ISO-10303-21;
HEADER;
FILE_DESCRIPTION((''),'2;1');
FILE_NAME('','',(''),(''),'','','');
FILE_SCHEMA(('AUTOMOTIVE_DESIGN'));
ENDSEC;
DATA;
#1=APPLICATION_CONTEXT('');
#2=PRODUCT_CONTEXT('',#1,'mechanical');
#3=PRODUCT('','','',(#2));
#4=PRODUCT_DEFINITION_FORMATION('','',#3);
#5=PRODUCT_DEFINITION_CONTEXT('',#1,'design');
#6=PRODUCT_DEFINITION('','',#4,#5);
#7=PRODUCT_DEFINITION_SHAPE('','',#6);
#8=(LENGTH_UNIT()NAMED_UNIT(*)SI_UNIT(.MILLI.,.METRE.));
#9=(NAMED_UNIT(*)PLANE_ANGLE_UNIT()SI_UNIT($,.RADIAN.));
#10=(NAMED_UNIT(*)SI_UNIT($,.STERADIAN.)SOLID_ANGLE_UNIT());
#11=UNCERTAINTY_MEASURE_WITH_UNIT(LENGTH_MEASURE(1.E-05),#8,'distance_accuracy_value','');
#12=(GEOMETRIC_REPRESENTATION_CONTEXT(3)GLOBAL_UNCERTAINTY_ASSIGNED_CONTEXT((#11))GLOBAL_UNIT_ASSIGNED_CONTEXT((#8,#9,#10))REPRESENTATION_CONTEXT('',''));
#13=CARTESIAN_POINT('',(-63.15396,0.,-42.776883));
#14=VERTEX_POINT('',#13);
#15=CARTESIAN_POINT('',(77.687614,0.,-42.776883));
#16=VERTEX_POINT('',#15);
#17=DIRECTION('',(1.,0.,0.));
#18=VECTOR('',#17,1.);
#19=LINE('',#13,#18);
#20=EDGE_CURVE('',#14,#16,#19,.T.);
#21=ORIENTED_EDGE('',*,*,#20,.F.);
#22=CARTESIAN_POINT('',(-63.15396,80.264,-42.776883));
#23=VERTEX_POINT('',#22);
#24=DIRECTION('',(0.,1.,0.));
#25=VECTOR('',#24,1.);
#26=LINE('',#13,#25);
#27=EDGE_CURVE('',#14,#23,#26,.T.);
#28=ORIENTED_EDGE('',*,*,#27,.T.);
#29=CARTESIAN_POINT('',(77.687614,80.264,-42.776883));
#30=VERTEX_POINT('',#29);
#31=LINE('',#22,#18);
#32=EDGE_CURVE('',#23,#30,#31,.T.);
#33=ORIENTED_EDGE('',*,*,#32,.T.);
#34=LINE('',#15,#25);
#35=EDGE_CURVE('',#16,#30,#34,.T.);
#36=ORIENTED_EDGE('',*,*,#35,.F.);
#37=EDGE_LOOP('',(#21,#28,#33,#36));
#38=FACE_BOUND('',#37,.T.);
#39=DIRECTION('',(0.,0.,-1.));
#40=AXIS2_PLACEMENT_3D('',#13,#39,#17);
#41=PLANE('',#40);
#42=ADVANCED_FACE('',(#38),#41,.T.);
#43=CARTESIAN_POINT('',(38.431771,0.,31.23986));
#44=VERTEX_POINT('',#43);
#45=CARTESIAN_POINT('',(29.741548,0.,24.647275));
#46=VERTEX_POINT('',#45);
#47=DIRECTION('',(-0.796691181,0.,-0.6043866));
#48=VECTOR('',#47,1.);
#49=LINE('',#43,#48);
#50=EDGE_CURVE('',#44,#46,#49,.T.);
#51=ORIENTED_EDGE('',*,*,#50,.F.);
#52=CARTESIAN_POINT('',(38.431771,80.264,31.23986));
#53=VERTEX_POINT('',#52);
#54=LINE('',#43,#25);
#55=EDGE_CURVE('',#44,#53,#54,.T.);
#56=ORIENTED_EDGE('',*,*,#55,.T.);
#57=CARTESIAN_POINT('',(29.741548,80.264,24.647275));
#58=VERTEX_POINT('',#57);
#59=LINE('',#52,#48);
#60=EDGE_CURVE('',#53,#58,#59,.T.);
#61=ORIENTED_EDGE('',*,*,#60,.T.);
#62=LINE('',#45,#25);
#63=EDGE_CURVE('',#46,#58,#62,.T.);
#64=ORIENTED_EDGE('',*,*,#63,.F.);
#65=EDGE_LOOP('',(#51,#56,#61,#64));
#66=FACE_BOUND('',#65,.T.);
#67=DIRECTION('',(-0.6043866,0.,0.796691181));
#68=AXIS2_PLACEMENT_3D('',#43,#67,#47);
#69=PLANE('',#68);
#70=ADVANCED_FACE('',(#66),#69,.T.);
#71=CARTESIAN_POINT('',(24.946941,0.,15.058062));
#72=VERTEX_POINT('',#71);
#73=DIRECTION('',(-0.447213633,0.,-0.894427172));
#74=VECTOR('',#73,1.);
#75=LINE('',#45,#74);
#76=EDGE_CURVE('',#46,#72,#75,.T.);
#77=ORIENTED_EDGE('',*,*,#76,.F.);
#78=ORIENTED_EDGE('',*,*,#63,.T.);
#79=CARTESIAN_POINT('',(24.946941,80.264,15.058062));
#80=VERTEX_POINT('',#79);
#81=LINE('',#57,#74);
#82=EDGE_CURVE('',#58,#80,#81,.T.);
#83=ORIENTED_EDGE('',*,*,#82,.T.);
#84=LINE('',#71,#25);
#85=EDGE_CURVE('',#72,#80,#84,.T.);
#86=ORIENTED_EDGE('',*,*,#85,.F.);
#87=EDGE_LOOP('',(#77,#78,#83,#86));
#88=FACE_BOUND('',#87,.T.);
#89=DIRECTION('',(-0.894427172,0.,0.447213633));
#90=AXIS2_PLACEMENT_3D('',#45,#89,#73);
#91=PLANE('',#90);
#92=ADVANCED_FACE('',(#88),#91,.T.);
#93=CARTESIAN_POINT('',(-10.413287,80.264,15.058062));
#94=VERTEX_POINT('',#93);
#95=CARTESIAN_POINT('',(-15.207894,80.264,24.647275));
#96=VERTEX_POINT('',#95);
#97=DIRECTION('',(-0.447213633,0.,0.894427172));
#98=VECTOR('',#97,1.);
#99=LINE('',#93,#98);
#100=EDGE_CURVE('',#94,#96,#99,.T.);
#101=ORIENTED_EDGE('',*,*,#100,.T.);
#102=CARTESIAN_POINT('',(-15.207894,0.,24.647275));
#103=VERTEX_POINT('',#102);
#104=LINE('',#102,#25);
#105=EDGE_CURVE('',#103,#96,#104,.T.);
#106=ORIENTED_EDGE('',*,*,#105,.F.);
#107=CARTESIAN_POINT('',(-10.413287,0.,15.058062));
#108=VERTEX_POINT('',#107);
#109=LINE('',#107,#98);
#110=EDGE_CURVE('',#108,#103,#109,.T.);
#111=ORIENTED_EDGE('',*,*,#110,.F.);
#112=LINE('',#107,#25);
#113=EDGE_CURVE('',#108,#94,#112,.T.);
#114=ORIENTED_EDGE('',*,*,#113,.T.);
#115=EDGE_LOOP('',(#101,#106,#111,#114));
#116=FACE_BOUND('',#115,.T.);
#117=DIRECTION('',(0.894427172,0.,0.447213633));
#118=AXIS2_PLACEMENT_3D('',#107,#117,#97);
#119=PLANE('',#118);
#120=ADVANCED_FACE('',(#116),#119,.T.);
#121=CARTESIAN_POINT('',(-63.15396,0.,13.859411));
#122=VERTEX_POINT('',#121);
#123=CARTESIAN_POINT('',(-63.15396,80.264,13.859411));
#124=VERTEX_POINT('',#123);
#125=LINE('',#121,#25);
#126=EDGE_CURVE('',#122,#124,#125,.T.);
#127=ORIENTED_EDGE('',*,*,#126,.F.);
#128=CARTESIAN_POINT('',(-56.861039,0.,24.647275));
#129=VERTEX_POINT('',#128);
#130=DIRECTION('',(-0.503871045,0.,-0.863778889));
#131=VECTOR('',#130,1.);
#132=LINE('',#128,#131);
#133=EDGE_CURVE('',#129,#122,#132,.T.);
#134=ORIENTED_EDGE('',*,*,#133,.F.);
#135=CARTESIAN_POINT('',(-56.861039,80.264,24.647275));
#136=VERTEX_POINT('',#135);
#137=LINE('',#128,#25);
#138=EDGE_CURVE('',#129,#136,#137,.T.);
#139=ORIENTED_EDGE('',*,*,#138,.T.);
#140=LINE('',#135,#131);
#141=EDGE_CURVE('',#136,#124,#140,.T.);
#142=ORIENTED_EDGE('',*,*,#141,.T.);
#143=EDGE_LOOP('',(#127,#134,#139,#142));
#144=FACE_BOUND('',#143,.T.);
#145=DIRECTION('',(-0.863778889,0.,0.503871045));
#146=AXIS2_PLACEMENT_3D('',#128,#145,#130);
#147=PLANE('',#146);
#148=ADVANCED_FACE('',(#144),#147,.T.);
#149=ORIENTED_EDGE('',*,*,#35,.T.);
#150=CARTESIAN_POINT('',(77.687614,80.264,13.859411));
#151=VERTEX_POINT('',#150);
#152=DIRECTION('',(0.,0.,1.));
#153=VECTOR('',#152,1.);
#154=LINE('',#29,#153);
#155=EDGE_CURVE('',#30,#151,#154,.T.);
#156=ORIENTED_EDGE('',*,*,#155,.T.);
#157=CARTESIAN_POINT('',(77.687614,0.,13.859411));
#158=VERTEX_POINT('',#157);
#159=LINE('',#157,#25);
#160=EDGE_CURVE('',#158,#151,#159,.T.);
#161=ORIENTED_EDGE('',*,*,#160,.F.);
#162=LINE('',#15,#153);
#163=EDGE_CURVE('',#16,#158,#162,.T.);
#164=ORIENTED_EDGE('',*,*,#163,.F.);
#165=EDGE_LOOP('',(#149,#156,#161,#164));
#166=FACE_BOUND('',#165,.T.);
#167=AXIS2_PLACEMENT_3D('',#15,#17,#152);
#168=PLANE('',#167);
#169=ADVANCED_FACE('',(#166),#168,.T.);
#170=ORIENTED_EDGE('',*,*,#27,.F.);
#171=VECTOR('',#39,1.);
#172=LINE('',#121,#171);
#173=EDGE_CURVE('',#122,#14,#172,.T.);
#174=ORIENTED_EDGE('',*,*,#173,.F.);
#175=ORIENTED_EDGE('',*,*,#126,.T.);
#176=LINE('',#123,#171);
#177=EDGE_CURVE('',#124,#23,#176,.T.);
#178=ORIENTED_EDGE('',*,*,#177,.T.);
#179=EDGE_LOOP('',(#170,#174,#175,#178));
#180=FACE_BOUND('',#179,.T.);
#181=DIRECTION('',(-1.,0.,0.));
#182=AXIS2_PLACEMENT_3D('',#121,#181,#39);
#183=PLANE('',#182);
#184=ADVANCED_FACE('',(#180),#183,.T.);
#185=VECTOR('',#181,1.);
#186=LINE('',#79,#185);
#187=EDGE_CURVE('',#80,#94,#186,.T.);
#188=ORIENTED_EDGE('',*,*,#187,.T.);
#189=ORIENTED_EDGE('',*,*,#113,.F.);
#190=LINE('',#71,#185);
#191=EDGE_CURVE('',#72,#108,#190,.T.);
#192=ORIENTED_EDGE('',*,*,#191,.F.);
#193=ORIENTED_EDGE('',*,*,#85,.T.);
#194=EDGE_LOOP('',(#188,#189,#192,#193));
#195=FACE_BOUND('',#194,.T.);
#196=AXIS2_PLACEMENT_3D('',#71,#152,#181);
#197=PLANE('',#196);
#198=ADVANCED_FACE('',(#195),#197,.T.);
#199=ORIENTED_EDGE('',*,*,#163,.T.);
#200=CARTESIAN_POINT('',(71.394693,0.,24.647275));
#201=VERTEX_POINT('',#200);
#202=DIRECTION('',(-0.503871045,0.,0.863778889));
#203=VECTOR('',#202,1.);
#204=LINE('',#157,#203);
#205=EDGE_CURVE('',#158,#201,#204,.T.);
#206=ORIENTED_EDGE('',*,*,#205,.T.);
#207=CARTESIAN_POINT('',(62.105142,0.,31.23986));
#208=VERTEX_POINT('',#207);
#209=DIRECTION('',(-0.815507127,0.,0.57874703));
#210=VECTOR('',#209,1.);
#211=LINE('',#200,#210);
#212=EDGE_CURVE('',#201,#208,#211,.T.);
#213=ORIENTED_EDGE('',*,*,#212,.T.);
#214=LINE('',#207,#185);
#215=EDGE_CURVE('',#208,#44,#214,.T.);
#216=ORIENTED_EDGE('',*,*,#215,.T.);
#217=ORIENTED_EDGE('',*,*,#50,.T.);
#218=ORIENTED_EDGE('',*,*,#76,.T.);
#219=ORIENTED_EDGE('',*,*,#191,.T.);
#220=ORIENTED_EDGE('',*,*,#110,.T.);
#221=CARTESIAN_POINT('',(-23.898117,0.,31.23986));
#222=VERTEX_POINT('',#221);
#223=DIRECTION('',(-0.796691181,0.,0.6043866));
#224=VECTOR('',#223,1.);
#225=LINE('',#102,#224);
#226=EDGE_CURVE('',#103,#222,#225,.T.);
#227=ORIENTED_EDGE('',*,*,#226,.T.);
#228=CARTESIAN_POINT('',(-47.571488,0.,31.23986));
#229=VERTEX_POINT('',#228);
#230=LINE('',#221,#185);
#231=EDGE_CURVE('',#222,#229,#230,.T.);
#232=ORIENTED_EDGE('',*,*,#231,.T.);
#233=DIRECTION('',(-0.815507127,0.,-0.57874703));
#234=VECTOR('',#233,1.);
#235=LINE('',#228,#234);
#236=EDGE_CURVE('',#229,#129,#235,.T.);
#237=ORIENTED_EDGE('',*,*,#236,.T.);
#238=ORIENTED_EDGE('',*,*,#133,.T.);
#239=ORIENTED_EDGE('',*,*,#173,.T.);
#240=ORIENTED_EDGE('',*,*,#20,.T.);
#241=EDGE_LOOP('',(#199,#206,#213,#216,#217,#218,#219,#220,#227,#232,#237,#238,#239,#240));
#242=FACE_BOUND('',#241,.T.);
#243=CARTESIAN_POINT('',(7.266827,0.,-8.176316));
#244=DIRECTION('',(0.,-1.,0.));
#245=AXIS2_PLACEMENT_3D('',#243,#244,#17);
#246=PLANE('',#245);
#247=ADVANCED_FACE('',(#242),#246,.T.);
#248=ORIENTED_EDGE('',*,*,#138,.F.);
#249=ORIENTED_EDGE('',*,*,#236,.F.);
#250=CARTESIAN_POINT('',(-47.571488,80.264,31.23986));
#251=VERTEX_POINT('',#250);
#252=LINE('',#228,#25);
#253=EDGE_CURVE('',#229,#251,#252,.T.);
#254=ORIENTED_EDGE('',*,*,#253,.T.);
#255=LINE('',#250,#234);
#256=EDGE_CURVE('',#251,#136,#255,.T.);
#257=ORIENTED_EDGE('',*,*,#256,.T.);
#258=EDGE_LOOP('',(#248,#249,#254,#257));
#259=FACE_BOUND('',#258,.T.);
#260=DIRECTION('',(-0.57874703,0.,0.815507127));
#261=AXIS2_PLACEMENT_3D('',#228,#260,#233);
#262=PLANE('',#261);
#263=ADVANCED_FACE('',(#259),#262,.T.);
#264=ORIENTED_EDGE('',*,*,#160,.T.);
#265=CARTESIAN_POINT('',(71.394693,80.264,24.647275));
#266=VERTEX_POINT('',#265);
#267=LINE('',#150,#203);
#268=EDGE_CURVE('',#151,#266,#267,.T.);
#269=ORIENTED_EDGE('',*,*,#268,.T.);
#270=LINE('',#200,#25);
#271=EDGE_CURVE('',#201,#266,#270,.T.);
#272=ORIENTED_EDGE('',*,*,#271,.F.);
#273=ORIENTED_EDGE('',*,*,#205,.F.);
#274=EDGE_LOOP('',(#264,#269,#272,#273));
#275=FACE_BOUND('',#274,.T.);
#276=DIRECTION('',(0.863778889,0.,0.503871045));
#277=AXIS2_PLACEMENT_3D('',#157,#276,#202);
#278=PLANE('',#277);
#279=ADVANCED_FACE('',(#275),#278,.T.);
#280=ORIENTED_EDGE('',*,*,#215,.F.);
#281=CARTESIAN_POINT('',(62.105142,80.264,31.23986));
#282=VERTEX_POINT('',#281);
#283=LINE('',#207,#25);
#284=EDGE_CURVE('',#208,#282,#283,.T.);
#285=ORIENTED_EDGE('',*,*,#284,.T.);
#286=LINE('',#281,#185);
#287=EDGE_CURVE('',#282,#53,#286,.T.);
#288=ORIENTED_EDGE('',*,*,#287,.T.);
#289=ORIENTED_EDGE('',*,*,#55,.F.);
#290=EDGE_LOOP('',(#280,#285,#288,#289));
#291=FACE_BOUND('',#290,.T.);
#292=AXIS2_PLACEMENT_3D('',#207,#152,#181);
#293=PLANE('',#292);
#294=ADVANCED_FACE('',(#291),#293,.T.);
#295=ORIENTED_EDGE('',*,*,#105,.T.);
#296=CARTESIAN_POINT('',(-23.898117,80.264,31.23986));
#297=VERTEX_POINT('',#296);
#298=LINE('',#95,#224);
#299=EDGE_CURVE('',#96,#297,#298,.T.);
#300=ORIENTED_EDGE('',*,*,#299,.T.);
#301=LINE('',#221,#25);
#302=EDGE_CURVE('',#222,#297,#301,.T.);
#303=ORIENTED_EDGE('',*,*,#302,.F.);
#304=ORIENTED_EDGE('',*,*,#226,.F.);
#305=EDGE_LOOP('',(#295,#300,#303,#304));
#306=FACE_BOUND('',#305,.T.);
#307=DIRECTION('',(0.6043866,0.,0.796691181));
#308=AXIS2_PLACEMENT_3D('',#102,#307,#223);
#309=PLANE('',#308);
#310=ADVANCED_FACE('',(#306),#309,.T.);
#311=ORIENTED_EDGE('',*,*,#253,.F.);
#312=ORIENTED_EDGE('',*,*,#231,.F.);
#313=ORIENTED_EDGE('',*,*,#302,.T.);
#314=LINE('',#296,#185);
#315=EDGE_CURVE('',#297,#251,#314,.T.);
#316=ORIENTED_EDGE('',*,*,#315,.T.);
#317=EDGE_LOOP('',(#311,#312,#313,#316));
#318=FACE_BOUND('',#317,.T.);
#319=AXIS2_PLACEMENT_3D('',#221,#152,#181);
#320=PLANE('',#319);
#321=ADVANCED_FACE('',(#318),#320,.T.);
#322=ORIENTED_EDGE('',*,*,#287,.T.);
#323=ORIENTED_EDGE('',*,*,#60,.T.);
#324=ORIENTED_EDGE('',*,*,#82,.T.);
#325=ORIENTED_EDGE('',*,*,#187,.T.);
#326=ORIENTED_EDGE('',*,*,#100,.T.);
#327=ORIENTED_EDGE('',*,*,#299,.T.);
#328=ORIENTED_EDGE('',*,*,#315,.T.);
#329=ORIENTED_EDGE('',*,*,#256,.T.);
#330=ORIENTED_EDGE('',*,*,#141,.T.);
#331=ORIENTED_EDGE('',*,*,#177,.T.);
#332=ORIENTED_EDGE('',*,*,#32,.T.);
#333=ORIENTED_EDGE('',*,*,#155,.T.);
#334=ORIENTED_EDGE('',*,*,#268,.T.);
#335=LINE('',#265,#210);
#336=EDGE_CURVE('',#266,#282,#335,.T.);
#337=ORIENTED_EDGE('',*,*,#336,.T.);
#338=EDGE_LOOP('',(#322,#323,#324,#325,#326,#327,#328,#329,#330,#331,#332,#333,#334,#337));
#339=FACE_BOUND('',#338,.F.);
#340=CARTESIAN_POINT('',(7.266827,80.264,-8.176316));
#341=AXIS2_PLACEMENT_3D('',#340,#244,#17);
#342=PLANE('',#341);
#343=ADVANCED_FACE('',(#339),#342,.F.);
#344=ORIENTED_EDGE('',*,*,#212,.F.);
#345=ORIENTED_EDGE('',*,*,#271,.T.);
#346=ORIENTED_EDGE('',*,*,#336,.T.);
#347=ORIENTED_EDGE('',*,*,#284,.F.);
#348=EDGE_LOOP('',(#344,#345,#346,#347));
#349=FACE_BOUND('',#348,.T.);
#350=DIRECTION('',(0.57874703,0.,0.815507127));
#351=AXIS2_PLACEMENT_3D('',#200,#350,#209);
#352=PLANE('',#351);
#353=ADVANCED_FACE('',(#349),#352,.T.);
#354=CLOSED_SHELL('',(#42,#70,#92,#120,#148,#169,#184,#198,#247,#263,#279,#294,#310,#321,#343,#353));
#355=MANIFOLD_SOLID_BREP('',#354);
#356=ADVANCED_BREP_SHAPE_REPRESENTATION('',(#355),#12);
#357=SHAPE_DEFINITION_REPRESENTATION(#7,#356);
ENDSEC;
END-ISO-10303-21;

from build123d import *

# Parameters (mm, degrees)
F1_DEPTH = 80.264


with BuildPart() as f1:
    # F0 (on Front) → F1 (new body)
    with BuildSketch(Plane.XZ):
        Polygon((-63.15396, 13.859411), (-63.15396, -42.776883), (0, -42.776883), (7.266827, -42.776883), (14.533654, -42.776883), (77.687614, -42.776883), (77.687614, 13.859411), (71.394693, 24.647275), (62.105142, 31.23986), (38.431771, 31.23986), (29.741548, 24.647275), (24.946941, 15.058062), (14.533654, 15.058062), (7.266827, 15.058062), (0, 15.058062), (-10.413287, 15.058062), (-15.207894, 24.647275), (-23.898117, 31.23986), (-47.571488, 31.23986), (-56.861039, 24.647275), align=None)
    extrude(amount=-F1_DEPTH)


solid = f1.part
